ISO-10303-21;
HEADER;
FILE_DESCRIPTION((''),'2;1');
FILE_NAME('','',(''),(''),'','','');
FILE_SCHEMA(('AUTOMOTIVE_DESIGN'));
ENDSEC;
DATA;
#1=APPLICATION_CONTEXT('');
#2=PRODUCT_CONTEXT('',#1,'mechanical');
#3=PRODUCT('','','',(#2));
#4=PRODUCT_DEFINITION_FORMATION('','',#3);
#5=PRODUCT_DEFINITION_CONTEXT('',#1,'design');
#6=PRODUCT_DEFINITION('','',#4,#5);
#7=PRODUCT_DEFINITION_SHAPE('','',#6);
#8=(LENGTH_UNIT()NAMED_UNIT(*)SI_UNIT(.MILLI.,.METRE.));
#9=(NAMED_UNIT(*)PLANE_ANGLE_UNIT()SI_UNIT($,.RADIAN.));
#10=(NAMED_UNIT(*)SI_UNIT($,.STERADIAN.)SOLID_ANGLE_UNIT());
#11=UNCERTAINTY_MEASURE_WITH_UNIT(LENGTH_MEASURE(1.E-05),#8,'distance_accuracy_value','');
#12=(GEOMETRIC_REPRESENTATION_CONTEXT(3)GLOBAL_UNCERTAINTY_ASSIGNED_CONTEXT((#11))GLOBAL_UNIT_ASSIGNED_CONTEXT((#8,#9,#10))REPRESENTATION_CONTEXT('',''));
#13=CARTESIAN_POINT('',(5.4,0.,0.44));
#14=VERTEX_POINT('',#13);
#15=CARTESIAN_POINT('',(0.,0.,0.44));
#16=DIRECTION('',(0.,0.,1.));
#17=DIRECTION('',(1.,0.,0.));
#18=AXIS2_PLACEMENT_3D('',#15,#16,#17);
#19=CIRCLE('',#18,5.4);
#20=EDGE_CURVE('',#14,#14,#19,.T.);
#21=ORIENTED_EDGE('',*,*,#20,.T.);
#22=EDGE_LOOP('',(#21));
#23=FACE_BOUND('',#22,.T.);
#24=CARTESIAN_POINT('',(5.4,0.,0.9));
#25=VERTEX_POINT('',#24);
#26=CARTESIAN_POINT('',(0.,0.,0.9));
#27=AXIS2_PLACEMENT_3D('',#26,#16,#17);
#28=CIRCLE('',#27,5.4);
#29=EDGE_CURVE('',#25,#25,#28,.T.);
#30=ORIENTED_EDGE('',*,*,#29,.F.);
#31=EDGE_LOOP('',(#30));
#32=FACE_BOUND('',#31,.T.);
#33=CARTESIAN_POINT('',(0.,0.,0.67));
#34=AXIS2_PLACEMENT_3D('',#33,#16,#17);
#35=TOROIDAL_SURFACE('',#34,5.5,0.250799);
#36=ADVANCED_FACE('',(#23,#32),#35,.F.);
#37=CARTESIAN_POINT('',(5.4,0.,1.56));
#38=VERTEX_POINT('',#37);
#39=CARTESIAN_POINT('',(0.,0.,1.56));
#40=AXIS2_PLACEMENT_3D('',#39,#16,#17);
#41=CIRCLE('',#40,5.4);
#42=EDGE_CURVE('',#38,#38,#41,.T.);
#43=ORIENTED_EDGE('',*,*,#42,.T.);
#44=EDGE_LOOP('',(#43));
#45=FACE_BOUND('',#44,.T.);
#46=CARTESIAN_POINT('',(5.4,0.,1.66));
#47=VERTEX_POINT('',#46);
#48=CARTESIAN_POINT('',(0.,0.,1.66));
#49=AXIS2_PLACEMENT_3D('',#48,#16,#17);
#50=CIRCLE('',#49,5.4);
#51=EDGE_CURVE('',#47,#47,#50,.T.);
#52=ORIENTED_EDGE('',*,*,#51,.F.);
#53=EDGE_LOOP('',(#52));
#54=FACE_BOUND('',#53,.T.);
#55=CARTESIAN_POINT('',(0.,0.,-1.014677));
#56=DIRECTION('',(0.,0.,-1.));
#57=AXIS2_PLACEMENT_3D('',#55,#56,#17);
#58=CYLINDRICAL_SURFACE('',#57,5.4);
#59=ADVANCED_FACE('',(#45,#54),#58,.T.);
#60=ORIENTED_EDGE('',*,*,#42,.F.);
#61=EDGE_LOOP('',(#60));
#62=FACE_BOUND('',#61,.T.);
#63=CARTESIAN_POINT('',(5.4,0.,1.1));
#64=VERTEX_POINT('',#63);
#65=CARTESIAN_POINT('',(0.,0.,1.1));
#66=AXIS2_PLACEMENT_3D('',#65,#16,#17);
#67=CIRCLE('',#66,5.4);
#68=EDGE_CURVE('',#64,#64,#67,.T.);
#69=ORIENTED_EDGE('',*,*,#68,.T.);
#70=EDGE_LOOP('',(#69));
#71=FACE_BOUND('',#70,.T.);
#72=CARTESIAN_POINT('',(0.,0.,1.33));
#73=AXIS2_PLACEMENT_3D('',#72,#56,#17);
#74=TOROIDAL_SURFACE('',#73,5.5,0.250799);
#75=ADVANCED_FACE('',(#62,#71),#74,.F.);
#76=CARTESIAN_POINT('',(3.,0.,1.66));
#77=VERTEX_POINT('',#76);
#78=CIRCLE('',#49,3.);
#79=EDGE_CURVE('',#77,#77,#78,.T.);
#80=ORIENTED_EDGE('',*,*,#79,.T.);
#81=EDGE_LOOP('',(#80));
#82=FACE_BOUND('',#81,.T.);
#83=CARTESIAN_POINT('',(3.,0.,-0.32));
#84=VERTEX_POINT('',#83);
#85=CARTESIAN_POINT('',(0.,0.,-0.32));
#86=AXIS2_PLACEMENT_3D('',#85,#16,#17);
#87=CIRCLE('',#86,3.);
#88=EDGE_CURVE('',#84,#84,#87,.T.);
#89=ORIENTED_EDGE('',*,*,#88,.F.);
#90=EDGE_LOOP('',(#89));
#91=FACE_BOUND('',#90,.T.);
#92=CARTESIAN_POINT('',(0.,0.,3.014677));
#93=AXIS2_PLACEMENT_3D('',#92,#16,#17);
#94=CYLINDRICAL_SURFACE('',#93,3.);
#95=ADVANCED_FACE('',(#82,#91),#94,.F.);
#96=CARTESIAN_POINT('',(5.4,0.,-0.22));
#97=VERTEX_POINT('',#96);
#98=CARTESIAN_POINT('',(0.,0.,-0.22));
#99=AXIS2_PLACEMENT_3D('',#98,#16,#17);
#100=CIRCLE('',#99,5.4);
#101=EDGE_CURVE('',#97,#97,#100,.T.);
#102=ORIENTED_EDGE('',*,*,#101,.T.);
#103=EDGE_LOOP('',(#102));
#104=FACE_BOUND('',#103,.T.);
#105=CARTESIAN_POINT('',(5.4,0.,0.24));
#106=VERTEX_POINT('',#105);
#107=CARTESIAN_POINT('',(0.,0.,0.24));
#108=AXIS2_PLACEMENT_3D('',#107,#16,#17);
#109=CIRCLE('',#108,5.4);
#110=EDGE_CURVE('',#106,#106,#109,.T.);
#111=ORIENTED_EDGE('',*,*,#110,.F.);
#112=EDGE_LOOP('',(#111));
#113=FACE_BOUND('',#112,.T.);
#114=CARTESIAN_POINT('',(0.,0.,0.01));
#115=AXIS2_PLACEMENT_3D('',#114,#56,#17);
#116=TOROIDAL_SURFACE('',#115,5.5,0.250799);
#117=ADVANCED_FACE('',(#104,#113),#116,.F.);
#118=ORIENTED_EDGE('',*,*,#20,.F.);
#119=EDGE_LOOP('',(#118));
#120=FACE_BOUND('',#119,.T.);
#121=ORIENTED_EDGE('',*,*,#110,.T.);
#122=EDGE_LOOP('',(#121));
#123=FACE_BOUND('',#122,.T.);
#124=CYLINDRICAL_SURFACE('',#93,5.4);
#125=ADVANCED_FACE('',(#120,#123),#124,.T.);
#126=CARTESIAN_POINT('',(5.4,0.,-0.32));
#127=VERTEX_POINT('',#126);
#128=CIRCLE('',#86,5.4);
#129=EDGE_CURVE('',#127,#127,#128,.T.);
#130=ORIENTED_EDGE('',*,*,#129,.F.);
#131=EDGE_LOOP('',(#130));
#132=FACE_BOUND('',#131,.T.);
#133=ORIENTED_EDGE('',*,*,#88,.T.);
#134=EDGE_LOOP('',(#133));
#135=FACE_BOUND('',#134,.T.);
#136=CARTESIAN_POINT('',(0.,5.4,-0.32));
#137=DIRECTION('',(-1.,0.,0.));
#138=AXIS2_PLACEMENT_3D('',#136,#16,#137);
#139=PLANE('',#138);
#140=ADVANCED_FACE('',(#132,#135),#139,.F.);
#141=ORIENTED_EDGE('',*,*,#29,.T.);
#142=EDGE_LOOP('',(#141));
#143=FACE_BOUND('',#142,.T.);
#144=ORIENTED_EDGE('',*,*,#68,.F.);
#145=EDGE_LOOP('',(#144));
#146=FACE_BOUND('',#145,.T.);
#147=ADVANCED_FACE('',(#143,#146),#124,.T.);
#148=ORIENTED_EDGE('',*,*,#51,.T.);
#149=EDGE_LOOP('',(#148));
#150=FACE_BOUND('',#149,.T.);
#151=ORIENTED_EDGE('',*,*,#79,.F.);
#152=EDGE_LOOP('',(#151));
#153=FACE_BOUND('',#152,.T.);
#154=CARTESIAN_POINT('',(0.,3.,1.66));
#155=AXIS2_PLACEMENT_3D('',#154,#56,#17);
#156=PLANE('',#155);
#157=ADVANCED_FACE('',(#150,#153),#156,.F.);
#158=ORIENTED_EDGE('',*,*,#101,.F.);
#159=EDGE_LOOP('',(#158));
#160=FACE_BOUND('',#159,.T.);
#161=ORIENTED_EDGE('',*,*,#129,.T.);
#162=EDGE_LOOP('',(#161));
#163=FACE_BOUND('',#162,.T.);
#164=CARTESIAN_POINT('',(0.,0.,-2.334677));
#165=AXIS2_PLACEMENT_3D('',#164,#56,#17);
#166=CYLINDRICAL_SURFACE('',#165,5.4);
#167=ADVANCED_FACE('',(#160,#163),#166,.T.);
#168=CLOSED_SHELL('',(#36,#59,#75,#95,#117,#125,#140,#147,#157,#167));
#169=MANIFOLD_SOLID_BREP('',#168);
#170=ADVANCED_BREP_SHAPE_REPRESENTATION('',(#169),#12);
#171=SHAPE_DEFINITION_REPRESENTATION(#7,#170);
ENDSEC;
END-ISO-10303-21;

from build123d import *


with BuildPart() as part:
    # Sketch2 → Revolve1 (revolve)
    with BuildSketch(Plane(origin=(0, 0, 0), x_dir=(0, 0, -1), z_dir=(1, 0, 0))):
        with BuildLine():
            Line((-0.34, 3), (-0.34, 5.4))
            Line((-0.34, 5.4), (-0.44, 5.4))
            ThreePointArc((-0.44, 5.4), (-0.67, 5.249201276), (-0.9, 5.4))
            Line((-0.9, 5.4), (-1, 5.4))
            Line((-1, 5.4), (-1, 3))
            Line((-1, 3), (-0.34, 3))
        make_face()
    revolve1 = revolve(axis=Axis((0, 0, 3.014677367), (0, 0, -1)))

    # Mirror2: Revolve1 across plane
    add(revolve1.mirror(Plane(origin=(0, 0, 0.34), x_dir=(1, 0, 0), z_dir=(0, 0, -1))))

    # Mirror3: Revolve1 across plane
    add(revolve1.mirror(Plane.XY.offset(1)))


solid = part.part
